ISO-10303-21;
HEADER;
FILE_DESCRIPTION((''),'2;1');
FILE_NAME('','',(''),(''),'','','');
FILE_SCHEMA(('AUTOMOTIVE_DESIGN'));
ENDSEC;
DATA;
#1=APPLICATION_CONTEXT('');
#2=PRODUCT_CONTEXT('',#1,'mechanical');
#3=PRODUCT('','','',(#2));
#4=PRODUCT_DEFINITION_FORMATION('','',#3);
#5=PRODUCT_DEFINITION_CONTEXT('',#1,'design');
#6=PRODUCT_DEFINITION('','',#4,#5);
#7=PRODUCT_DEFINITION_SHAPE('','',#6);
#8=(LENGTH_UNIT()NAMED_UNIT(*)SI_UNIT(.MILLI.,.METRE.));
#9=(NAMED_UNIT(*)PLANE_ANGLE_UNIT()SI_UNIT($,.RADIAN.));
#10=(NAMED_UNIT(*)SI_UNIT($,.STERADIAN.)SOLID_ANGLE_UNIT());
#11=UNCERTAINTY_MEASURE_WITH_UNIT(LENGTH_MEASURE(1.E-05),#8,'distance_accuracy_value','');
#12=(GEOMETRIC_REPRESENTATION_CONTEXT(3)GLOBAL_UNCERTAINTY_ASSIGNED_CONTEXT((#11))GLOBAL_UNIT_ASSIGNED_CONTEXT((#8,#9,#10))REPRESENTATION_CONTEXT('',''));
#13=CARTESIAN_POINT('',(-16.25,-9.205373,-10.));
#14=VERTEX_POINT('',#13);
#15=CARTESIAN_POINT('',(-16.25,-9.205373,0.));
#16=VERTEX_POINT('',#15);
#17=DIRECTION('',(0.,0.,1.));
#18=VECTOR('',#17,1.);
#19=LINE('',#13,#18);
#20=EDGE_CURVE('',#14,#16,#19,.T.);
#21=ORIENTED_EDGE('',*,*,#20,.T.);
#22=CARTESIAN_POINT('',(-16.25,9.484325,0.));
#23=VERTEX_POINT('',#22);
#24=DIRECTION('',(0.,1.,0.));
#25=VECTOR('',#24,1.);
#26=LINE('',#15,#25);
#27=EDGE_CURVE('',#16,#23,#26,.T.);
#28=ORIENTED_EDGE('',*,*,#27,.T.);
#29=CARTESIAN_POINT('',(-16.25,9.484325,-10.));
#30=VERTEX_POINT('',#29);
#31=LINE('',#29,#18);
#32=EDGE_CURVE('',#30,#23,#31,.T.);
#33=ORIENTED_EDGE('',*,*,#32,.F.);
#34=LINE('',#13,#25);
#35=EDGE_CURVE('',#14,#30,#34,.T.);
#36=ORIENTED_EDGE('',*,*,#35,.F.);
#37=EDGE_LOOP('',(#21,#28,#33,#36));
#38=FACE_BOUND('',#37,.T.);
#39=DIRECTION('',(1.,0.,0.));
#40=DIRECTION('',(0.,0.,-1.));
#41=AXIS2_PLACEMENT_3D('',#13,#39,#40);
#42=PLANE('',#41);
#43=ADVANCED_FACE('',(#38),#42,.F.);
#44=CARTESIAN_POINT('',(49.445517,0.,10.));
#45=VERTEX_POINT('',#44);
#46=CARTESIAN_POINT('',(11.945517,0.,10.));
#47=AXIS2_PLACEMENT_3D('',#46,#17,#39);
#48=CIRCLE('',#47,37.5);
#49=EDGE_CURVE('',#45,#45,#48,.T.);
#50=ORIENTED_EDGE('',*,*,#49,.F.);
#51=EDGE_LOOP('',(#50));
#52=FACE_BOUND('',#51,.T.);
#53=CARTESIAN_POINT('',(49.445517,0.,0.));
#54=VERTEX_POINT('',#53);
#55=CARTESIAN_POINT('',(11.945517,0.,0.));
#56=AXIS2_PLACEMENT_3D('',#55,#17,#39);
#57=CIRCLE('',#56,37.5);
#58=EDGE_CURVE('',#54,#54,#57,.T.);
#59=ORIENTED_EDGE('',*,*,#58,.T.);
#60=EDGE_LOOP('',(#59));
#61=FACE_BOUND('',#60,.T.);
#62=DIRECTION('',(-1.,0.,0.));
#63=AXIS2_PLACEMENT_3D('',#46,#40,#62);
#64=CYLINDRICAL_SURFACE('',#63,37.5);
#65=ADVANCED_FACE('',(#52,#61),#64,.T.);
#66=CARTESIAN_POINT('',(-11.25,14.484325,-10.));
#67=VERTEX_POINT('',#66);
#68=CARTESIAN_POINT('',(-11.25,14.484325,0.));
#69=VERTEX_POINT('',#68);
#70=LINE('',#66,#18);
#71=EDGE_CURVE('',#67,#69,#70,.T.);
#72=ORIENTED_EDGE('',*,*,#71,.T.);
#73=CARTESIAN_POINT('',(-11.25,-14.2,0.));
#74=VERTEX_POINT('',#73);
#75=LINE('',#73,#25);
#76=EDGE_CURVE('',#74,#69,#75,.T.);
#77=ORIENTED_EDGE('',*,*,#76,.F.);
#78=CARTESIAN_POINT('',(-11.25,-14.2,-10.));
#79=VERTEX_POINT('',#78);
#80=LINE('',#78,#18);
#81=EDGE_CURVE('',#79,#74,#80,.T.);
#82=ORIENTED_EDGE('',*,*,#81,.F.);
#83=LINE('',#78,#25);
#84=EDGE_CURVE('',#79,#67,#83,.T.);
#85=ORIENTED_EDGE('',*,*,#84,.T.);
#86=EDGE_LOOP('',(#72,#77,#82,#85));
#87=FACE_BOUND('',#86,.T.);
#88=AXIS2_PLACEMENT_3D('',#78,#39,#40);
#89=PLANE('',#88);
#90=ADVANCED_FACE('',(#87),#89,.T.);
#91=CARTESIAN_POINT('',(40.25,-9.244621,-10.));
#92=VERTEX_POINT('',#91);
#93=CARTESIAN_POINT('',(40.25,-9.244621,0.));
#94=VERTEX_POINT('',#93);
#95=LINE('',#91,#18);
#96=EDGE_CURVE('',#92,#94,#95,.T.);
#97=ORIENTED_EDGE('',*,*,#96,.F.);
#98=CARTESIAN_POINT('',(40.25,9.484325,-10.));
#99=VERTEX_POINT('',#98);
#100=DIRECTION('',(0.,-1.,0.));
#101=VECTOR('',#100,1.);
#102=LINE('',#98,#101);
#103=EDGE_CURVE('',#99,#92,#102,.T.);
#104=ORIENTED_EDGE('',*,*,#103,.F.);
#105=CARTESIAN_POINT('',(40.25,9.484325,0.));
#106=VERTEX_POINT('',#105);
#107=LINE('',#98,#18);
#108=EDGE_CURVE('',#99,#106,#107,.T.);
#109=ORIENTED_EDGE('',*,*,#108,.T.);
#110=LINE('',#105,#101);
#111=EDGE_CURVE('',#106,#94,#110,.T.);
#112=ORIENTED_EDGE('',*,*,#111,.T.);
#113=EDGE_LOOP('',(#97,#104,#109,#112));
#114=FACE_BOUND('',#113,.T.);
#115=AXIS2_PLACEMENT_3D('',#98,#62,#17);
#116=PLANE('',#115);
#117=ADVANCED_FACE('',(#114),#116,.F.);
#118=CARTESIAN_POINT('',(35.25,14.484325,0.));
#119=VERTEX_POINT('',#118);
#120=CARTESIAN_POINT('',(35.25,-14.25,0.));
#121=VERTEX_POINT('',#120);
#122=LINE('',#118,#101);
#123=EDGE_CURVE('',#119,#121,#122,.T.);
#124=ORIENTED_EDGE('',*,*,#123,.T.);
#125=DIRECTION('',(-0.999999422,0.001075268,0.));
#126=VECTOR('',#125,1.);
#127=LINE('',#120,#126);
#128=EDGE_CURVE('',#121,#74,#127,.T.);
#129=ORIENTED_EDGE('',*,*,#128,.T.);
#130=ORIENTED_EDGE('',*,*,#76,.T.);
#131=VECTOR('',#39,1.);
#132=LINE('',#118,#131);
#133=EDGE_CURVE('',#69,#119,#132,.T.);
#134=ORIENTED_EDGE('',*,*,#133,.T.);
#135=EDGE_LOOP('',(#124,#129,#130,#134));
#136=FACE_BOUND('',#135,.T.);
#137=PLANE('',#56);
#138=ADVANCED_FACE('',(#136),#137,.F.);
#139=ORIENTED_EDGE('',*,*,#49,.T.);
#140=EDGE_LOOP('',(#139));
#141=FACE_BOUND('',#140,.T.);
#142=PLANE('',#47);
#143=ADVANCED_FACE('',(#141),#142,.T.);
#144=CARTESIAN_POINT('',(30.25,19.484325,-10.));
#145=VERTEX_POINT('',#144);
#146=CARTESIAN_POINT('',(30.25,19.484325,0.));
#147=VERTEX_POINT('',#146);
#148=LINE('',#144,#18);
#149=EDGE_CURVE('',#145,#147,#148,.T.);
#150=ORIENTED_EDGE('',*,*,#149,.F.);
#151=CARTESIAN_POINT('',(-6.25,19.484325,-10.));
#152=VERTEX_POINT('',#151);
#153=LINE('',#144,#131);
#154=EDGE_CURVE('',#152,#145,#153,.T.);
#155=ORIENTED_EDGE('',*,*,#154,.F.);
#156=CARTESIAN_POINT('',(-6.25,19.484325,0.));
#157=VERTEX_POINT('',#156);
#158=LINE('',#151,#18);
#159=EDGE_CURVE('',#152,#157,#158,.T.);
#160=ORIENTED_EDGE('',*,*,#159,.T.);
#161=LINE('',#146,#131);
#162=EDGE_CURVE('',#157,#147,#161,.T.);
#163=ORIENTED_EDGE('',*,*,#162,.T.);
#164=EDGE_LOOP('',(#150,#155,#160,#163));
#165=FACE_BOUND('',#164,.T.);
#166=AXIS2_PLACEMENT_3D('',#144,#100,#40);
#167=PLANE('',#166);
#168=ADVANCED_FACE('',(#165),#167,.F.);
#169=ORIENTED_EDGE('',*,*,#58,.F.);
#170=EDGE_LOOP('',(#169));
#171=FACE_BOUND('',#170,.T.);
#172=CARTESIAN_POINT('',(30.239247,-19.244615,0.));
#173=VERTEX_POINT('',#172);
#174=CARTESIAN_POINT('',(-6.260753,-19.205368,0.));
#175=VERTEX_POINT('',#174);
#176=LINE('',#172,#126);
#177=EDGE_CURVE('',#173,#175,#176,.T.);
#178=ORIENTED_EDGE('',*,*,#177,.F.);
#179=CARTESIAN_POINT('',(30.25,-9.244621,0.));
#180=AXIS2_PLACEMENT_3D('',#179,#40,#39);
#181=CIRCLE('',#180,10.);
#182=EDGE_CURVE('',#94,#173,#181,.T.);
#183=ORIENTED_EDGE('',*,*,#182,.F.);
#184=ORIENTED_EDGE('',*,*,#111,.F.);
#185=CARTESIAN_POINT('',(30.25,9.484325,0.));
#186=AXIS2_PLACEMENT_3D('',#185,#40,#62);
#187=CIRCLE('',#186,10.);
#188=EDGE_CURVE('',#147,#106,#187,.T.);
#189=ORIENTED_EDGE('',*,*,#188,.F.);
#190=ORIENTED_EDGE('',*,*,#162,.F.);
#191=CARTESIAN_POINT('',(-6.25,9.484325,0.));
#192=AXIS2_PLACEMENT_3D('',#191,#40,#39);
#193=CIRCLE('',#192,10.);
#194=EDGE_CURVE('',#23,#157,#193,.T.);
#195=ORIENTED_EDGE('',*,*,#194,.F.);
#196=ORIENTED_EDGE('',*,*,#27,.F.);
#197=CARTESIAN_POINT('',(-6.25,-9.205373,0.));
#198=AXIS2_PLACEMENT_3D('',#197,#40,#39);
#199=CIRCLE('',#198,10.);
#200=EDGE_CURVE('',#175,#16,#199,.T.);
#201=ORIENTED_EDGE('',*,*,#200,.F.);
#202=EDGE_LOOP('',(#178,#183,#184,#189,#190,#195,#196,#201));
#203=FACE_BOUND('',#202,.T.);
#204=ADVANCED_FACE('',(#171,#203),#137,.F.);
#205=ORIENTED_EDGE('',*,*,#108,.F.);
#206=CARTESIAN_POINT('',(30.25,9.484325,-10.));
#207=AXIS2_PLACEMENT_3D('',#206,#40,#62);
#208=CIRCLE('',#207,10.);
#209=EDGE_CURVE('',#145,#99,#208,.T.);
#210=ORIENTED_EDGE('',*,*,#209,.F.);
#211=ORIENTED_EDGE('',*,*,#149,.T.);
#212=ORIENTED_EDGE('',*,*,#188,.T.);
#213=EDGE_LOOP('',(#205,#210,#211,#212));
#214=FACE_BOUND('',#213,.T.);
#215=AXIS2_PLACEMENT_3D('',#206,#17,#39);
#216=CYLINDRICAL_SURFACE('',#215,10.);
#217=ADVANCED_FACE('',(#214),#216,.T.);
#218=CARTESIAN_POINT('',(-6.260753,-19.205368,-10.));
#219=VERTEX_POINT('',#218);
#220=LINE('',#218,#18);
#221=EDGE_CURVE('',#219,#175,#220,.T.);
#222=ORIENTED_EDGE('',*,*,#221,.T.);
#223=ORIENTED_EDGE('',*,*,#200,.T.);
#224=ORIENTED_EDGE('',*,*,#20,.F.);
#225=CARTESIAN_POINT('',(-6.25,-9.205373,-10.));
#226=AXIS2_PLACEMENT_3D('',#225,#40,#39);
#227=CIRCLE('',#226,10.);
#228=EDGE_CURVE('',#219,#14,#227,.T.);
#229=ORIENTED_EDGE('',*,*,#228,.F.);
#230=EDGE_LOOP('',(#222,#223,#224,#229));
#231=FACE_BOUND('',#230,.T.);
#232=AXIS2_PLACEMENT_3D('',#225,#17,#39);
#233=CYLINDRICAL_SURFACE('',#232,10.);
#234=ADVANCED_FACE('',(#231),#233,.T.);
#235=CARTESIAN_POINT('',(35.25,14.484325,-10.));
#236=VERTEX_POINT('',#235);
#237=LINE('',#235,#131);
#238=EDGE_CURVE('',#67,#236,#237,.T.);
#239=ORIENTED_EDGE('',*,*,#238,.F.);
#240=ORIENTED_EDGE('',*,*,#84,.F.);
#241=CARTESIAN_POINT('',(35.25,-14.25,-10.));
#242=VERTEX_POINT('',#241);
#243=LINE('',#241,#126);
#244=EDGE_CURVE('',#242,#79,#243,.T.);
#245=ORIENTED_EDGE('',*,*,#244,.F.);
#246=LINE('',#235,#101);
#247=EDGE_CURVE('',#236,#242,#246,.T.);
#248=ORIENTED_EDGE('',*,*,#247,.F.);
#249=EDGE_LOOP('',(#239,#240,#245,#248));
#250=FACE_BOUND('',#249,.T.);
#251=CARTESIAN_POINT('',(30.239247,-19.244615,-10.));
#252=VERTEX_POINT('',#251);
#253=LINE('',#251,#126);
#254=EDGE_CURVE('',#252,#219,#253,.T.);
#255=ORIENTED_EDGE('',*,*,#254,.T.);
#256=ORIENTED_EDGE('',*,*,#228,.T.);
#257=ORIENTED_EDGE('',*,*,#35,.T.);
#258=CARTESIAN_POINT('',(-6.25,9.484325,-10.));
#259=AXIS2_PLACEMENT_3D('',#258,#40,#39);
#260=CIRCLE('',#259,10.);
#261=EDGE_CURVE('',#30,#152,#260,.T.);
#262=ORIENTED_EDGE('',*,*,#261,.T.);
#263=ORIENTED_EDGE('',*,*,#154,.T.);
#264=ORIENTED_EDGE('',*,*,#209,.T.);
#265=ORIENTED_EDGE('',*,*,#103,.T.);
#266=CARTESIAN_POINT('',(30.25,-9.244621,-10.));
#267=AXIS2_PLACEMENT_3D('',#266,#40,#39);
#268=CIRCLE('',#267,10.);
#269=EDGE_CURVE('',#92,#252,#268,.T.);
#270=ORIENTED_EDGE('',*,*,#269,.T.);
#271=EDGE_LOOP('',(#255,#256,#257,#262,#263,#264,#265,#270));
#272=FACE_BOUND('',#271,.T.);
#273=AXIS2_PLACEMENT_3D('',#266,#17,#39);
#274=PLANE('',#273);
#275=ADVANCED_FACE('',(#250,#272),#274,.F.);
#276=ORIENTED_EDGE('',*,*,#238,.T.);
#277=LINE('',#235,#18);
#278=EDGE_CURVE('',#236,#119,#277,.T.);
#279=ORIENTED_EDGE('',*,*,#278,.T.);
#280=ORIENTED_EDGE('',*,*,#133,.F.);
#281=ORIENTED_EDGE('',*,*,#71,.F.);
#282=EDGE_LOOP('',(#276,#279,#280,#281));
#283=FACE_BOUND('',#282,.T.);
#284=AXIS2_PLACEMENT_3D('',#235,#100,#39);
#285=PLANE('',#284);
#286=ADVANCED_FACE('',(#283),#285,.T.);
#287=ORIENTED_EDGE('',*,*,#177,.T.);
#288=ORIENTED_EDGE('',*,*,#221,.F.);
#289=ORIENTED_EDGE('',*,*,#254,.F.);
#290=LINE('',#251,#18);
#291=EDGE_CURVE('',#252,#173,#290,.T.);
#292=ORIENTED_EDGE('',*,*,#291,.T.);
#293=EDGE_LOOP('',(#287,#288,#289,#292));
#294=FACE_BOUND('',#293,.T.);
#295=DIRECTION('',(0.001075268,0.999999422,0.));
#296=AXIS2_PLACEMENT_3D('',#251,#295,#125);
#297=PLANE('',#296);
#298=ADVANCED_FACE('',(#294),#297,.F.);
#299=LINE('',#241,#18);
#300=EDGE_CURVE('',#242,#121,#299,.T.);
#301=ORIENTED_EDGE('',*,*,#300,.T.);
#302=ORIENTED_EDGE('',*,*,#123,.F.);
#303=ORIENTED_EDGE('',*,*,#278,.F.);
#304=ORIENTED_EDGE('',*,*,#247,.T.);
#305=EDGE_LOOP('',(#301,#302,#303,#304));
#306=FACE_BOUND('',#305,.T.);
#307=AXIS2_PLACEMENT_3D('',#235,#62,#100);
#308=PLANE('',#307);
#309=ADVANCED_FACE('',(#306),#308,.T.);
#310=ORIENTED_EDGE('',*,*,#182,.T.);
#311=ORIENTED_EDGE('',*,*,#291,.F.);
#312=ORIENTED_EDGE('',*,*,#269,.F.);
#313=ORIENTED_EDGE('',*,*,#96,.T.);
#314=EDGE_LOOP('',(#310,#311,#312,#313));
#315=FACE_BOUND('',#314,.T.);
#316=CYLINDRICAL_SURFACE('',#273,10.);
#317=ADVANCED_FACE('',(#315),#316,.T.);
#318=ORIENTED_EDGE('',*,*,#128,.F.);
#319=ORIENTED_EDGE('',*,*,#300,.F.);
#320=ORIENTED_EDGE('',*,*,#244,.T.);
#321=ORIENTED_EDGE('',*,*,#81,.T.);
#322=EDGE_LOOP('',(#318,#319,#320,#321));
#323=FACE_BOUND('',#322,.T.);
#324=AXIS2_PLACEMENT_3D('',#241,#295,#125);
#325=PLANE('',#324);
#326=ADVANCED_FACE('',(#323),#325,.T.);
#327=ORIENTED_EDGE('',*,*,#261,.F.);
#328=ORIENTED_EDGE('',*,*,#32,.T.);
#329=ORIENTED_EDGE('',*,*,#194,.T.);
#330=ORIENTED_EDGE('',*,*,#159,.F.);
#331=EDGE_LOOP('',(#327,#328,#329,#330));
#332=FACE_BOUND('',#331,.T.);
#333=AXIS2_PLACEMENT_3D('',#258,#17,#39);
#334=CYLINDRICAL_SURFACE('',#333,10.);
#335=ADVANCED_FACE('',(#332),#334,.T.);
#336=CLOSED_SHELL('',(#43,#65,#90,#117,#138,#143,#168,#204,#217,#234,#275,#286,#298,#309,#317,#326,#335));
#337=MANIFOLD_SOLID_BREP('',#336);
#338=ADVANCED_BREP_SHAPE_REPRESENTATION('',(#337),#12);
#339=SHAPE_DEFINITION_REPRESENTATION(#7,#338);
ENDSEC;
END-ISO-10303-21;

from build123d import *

# Parameters (mm, degrees)
SKETCH1_R           = 37.5
BOSS_EXTRUDE1_DEPTH = 10
BOSS_EXTRUDE2_DEPTH = 10


with BuildPart() as part:
    # Sketch1 → Boss-Extrude1 (new body)
    with BuildSketch(Plane.XY):
        with Locations((11.945516858, 0)):
            Circle(SKETCH1_R)
    extrude(amount=BOSS_EXTRUDE1_DEPTH)

    # Sketch2 → Boss-Extrude2 (add)
    with BuildSketch(Plane(origin=(0, 0, 0), x_dir=(-1, 0, 0), z_dir=(0, 0, -1))):
        with BuildLine():
            Line((-30.25, 19.484324941), (6.25, 19.484324941))
            ThreePointArc((6.25, 19.484324941), (13.321067812, 16.555392753), (16.25, 9.484324941))
            Line((16.25, 9.484324941), (16.25, -9.205373472))
            ThreePointArc((16.25, -9.205373472), (13.324868437, -16.272638614), (6.260752682, -19.205367691))
            Line((6.260752682, -19.205367691), (-30.239247318, -19.244615001))
            ThreePointArc((-30.239247318, -19.244615001), (-37.317265142, -16.319489219), (-40.25, -9.244620782))
            Line((-40.25, -9.244620782), (-40.25, 9.484324941))
            ThreePointArc((-40.25, 9.484324941), (-37.321067812, 16.555392753), (-30.25, 19.484324941))
        make_face()
        Polygon((-35.25, -14.250000016), (11.25, -14.200000018), (11.25, 14.484324941), (-35.25, 14.484324941), align=None, mode=Mode.SUBTRACT)
    extrude(amount=BOSS_EXTRUDE2_DEPTH)


solid = part.part
